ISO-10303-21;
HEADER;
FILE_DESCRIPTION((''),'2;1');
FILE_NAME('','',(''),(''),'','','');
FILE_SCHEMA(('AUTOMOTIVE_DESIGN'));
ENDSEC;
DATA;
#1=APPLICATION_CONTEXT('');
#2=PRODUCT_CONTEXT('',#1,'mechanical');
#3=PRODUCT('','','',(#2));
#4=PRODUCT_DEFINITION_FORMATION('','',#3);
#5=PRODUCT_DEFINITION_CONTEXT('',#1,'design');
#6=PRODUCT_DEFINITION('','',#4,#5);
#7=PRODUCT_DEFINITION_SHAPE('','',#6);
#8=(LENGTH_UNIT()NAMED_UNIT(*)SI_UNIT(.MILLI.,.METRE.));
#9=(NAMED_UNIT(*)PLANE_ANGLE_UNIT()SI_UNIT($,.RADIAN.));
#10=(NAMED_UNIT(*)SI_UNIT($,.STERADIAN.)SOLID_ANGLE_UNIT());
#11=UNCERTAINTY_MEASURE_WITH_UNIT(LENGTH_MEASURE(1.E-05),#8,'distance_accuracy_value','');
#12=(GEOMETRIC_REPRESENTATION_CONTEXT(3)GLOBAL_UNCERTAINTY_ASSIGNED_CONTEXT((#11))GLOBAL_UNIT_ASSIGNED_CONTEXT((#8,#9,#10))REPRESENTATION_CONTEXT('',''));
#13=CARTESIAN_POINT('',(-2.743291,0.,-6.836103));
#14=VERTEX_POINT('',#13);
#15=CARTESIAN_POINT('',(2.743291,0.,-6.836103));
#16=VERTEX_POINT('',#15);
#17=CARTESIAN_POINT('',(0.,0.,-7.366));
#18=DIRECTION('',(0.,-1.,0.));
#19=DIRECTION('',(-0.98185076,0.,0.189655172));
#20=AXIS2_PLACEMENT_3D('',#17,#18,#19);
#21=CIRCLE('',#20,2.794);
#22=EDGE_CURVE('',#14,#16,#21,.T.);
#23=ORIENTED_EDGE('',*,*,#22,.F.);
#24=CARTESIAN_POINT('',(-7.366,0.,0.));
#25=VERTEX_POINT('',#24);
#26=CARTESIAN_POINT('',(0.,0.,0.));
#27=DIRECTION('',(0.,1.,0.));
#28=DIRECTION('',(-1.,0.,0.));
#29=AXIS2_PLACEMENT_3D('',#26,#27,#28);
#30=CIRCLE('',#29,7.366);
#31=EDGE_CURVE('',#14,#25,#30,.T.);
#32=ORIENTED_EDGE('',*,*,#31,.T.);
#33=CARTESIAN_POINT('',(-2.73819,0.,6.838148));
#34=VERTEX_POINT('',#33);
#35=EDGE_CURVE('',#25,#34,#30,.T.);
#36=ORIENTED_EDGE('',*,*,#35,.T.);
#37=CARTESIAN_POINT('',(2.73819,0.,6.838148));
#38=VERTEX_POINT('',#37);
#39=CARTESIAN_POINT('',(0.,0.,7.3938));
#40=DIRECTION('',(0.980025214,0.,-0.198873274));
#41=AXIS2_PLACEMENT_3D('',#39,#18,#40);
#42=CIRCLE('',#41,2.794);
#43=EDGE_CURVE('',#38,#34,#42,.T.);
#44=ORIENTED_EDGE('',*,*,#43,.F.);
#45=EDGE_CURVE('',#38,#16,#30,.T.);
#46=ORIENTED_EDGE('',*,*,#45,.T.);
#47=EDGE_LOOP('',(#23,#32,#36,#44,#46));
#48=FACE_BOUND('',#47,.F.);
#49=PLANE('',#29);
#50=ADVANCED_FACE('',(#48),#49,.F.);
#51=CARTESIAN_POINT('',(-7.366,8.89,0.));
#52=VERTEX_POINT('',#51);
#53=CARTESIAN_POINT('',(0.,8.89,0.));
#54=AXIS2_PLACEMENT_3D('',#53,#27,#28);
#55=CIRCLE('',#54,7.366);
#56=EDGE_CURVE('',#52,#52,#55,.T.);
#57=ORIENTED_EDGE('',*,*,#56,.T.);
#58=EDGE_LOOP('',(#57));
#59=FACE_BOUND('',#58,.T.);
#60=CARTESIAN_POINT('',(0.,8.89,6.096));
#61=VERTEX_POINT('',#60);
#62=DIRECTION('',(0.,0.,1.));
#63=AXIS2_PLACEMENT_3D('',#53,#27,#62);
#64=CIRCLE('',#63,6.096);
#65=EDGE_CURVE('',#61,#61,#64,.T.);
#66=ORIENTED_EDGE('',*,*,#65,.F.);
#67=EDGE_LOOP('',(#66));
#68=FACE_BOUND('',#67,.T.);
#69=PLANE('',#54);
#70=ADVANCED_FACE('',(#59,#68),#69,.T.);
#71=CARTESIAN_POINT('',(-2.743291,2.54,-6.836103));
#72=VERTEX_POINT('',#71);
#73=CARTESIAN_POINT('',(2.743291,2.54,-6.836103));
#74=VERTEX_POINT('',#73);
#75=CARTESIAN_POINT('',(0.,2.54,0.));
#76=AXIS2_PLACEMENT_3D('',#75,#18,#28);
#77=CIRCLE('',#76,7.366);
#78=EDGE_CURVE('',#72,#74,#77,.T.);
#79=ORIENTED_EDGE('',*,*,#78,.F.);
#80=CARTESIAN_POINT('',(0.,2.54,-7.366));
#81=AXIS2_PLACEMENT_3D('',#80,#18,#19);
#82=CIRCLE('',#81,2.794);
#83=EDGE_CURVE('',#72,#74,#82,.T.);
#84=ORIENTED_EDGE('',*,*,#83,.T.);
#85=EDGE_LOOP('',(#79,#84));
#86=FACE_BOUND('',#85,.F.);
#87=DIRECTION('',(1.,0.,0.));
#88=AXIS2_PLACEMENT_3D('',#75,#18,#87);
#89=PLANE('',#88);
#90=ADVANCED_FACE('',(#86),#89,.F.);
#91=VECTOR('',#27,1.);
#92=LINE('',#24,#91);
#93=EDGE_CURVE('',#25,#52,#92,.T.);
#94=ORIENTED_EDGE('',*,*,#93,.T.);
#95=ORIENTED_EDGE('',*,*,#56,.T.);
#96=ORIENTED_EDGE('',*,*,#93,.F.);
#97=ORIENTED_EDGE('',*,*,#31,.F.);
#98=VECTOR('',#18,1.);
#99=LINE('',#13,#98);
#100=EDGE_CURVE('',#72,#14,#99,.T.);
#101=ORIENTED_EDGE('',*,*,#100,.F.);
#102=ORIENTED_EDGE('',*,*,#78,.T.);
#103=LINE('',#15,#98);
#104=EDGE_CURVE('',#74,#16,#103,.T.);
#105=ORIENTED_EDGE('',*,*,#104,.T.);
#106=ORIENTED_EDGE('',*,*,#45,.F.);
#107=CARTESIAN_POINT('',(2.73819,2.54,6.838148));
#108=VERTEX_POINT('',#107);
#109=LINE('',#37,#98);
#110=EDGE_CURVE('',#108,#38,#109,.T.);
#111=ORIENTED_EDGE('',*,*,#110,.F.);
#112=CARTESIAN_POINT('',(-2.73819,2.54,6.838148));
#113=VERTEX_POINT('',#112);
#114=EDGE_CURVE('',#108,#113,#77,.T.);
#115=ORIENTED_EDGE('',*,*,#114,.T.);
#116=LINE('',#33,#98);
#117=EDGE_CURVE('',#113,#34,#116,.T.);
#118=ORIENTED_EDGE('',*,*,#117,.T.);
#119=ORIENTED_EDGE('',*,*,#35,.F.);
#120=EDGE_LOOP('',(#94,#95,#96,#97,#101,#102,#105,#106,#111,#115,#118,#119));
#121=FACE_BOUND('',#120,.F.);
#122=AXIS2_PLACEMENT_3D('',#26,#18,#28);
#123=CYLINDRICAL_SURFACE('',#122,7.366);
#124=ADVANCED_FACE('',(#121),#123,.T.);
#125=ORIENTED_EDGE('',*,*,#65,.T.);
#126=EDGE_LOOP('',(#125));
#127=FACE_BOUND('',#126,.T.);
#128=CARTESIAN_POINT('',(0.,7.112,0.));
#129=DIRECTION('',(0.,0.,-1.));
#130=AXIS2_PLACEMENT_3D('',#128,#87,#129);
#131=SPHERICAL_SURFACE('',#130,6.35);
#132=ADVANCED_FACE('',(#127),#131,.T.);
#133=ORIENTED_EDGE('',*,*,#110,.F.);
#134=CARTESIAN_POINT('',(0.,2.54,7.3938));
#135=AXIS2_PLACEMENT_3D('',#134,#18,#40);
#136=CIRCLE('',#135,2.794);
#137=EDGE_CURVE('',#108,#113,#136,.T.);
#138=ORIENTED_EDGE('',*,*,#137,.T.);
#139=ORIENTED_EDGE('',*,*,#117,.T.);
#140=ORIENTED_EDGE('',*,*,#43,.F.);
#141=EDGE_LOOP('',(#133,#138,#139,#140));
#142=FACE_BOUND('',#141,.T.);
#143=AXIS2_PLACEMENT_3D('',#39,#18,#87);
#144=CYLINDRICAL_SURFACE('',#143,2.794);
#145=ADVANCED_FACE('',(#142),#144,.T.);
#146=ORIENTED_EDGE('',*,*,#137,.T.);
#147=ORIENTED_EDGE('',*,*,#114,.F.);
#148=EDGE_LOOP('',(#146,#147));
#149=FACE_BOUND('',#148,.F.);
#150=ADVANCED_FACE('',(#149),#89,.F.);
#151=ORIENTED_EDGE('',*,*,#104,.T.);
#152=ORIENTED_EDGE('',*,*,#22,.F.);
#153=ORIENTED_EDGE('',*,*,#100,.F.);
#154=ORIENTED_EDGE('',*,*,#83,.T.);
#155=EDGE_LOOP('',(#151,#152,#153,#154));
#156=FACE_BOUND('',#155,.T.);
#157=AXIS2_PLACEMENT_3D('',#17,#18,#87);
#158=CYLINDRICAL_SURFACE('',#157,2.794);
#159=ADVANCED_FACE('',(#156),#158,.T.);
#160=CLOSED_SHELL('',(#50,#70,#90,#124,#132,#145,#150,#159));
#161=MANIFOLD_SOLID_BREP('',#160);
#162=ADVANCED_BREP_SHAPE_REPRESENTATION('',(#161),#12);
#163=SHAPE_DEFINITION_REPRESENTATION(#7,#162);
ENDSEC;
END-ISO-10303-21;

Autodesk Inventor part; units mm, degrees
ref_plane "YZ Plane" through (0, 0, 0) normal (1, 0, 0) x (0, 1, 0)
ref_plane "XZ Plane" through (0, 0, 0) normal (0, 1, 0) x (-1, 0, 0)
sketch "Sketch1" plane through (0, 0, 0) normal (0, 1, 0) x (-1, 0, 0)
  circle A0 centre (0, 0) radius 7.366
  dimension "d0" = 14.732
extrude "Extrusion1" add sketch "Sketch1" along normal blind 8.89
ref_plane "Work Plane1" through (0, 7.112, 0) normal (0, -1, 0) x (1, 0, 0)
sketch "Sketch2" plane through (0, 7.112, 0) normal (0, -1, 0) x (1, 0, 0)
  arc A0 (-6.35, 0) -> (6.35, 0) centre (0, 0) ccw
  circle A1 centre (0, 0) radius 7.366 construction
  line L0 (-7.366, 0) -> (7.366, 0) construction
  line L1 (-6.35, 0) -> (6.35, 0)
  dimension "d4" = 12.7
revolve "Revolution1" add sketch "Sketch2" angle 360 about axis through (-7.366, 7.112, 0) along (1, 0, 0)
sketch "Sketch3" plane through (0, 0, 0) normal (0, -1, 0) x (1, 0, 0)
  line L0 (0, 7.3938) -> (0, -7.366) construction
  circle A0 centre (0, 0) radius 7.366 construction
  circle A1 centre (0, 7.3938) radius 2.794
  circle A2 centre (0, -7.366) radius 2.794
  dimension "d6" = 5.588
  dimension "d7" = 5.588
extrude "Extrusion2" add sketch "Sketch3" against normal blind 2.54
properties part number "caster ball 1 2 inch"
